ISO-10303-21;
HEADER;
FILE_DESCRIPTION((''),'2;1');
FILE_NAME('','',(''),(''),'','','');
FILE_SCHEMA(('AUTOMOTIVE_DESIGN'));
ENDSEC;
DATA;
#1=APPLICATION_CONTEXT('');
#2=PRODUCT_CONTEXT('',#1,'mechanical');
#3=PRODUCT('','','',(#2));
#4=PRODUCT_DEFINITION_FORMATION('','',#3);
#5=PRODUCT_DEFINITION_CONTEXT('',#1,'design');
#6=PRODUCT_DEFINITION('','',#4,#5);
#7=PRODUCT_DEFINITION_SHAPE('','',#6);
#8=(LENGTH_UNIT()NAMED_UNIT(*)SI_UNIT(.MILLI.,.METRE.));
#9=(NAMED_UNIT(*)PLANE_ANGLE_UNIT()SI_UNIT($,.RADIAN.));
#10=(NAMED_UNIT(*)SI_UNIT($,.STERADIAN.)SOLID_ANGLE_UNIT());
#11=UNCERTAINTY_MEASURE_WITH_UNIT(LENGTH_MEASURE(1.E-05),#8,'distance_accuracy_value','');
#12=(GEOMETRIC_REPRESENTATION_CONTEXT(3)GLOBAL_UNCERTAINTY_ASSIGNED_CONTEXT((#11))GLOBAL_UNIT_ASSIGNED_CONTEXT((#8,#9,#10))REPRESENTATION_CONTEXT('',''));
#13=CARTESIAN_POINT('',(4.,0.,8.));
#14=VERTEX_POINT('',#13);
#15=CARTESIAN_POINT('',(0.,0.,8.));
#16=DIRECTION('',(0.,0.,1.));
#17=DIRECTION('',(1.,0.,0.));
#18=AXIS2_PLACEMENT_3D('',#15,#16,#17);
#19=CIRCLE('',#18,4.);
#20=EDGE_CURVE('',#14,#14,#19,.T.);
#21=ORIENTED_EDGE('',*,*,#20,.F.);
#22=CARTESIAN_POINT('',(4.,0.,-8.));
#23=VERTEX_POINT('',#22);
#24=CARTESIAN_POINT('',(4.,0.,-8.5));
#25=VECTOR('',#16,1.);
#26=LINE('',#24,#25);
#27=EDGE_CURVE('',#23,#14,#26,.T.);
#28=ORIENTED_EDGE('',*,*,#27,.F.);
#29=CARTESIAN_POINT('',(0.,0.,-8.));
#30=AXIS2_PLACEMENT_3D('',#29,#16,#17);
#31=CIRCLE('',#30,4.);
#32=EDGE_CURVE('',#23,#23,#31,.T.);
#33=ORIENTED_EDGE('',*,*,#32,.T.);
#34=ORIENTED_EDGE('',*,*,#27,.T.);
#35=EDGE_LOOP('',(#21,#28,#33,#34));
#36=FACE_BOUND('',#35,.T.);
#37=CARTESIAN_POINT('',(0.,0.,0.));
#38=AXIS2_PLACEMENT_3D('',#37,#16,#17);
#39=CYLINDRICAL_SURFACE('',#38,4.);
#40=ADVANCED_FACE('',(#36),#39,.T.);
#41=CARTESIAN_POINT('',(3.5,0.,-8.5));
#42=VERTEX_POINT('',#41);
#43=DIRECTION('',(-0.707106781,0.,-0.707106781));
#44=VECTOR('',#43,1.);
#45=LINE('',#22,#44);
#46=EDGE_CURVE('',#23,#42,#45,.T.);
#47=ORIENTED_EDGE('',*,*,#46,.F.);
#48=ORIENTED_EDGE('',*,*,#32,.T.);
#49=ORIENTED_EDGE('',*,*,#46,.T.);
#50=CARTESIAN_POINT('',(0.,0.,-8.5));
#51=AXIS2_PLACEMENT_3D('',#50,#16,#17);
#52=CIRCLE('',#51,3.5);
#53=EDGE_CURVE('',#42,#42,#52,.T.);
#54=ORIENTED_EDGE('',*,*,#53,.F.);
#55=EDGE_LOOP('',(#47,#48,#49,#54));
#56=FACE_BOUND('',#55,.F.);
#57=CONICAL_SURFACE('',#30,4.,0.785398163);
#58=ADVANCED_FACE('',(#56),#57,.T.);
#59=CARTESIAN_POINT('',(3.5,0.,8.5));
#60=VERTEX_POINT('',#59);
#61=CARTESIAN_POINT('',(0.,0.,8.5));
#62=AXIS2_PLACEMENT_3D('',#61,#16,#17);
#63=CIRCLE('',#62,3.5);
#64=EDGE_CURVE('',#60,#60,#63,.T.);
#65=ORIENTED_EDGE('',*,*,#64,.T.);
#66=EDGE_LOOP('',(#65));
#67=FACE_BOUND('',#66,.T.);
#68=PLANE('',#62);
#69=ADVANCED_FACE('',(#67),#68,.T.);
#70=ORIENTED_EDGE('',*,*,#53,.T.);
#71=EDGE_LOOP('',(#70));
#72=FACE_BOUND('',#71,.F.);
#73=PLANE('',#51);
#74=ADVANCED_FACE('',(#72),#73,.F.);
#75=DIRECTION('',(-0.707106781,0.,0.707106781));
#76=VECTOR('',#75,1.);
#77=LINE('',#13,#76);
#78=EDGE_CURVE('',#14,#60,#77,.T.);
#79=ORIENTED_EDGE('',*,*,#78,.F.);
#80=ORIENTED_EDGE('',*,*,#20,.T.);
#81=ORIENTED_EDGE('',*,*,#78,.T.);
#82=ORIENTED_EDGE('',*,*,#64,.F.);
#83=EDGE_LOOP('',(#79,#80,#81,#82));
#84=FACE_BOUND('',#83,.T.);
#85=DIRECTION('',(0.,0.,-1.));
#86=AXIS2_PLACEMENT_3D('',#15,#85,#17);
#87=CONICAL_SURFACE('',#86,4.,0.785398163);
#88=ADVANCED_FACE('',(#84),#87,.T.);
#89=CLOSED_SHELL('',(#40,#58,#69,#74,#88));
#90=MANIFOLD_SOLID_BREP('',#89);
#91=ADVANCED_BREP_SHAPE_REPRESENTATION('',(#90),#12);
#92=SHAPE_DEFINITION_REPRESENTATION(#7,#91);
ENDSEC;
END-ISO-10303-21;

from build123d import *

# Parameters (mm, degrees)
F0_R     = 4
F1_DEPTH = 8.5
F2_SIZE  = 0.5


with BuildPart() as f1:
    # F0 (on Top) → F1 (new body, symmetric)
    with BuildSketch(Plane.XY):
        Circle(F0_R)
    extrude(amount=F1_DEPTH, both=True)

    # F2
    f2_edges = [f1.edges().sort_by_distance(p)[0] for p in [
        (-4, 0, 8.5),
        (-4, 0, -8.5),
    ]]
    chamfer(f2_edges, length=F2_SIZE)


solid = f1.part
